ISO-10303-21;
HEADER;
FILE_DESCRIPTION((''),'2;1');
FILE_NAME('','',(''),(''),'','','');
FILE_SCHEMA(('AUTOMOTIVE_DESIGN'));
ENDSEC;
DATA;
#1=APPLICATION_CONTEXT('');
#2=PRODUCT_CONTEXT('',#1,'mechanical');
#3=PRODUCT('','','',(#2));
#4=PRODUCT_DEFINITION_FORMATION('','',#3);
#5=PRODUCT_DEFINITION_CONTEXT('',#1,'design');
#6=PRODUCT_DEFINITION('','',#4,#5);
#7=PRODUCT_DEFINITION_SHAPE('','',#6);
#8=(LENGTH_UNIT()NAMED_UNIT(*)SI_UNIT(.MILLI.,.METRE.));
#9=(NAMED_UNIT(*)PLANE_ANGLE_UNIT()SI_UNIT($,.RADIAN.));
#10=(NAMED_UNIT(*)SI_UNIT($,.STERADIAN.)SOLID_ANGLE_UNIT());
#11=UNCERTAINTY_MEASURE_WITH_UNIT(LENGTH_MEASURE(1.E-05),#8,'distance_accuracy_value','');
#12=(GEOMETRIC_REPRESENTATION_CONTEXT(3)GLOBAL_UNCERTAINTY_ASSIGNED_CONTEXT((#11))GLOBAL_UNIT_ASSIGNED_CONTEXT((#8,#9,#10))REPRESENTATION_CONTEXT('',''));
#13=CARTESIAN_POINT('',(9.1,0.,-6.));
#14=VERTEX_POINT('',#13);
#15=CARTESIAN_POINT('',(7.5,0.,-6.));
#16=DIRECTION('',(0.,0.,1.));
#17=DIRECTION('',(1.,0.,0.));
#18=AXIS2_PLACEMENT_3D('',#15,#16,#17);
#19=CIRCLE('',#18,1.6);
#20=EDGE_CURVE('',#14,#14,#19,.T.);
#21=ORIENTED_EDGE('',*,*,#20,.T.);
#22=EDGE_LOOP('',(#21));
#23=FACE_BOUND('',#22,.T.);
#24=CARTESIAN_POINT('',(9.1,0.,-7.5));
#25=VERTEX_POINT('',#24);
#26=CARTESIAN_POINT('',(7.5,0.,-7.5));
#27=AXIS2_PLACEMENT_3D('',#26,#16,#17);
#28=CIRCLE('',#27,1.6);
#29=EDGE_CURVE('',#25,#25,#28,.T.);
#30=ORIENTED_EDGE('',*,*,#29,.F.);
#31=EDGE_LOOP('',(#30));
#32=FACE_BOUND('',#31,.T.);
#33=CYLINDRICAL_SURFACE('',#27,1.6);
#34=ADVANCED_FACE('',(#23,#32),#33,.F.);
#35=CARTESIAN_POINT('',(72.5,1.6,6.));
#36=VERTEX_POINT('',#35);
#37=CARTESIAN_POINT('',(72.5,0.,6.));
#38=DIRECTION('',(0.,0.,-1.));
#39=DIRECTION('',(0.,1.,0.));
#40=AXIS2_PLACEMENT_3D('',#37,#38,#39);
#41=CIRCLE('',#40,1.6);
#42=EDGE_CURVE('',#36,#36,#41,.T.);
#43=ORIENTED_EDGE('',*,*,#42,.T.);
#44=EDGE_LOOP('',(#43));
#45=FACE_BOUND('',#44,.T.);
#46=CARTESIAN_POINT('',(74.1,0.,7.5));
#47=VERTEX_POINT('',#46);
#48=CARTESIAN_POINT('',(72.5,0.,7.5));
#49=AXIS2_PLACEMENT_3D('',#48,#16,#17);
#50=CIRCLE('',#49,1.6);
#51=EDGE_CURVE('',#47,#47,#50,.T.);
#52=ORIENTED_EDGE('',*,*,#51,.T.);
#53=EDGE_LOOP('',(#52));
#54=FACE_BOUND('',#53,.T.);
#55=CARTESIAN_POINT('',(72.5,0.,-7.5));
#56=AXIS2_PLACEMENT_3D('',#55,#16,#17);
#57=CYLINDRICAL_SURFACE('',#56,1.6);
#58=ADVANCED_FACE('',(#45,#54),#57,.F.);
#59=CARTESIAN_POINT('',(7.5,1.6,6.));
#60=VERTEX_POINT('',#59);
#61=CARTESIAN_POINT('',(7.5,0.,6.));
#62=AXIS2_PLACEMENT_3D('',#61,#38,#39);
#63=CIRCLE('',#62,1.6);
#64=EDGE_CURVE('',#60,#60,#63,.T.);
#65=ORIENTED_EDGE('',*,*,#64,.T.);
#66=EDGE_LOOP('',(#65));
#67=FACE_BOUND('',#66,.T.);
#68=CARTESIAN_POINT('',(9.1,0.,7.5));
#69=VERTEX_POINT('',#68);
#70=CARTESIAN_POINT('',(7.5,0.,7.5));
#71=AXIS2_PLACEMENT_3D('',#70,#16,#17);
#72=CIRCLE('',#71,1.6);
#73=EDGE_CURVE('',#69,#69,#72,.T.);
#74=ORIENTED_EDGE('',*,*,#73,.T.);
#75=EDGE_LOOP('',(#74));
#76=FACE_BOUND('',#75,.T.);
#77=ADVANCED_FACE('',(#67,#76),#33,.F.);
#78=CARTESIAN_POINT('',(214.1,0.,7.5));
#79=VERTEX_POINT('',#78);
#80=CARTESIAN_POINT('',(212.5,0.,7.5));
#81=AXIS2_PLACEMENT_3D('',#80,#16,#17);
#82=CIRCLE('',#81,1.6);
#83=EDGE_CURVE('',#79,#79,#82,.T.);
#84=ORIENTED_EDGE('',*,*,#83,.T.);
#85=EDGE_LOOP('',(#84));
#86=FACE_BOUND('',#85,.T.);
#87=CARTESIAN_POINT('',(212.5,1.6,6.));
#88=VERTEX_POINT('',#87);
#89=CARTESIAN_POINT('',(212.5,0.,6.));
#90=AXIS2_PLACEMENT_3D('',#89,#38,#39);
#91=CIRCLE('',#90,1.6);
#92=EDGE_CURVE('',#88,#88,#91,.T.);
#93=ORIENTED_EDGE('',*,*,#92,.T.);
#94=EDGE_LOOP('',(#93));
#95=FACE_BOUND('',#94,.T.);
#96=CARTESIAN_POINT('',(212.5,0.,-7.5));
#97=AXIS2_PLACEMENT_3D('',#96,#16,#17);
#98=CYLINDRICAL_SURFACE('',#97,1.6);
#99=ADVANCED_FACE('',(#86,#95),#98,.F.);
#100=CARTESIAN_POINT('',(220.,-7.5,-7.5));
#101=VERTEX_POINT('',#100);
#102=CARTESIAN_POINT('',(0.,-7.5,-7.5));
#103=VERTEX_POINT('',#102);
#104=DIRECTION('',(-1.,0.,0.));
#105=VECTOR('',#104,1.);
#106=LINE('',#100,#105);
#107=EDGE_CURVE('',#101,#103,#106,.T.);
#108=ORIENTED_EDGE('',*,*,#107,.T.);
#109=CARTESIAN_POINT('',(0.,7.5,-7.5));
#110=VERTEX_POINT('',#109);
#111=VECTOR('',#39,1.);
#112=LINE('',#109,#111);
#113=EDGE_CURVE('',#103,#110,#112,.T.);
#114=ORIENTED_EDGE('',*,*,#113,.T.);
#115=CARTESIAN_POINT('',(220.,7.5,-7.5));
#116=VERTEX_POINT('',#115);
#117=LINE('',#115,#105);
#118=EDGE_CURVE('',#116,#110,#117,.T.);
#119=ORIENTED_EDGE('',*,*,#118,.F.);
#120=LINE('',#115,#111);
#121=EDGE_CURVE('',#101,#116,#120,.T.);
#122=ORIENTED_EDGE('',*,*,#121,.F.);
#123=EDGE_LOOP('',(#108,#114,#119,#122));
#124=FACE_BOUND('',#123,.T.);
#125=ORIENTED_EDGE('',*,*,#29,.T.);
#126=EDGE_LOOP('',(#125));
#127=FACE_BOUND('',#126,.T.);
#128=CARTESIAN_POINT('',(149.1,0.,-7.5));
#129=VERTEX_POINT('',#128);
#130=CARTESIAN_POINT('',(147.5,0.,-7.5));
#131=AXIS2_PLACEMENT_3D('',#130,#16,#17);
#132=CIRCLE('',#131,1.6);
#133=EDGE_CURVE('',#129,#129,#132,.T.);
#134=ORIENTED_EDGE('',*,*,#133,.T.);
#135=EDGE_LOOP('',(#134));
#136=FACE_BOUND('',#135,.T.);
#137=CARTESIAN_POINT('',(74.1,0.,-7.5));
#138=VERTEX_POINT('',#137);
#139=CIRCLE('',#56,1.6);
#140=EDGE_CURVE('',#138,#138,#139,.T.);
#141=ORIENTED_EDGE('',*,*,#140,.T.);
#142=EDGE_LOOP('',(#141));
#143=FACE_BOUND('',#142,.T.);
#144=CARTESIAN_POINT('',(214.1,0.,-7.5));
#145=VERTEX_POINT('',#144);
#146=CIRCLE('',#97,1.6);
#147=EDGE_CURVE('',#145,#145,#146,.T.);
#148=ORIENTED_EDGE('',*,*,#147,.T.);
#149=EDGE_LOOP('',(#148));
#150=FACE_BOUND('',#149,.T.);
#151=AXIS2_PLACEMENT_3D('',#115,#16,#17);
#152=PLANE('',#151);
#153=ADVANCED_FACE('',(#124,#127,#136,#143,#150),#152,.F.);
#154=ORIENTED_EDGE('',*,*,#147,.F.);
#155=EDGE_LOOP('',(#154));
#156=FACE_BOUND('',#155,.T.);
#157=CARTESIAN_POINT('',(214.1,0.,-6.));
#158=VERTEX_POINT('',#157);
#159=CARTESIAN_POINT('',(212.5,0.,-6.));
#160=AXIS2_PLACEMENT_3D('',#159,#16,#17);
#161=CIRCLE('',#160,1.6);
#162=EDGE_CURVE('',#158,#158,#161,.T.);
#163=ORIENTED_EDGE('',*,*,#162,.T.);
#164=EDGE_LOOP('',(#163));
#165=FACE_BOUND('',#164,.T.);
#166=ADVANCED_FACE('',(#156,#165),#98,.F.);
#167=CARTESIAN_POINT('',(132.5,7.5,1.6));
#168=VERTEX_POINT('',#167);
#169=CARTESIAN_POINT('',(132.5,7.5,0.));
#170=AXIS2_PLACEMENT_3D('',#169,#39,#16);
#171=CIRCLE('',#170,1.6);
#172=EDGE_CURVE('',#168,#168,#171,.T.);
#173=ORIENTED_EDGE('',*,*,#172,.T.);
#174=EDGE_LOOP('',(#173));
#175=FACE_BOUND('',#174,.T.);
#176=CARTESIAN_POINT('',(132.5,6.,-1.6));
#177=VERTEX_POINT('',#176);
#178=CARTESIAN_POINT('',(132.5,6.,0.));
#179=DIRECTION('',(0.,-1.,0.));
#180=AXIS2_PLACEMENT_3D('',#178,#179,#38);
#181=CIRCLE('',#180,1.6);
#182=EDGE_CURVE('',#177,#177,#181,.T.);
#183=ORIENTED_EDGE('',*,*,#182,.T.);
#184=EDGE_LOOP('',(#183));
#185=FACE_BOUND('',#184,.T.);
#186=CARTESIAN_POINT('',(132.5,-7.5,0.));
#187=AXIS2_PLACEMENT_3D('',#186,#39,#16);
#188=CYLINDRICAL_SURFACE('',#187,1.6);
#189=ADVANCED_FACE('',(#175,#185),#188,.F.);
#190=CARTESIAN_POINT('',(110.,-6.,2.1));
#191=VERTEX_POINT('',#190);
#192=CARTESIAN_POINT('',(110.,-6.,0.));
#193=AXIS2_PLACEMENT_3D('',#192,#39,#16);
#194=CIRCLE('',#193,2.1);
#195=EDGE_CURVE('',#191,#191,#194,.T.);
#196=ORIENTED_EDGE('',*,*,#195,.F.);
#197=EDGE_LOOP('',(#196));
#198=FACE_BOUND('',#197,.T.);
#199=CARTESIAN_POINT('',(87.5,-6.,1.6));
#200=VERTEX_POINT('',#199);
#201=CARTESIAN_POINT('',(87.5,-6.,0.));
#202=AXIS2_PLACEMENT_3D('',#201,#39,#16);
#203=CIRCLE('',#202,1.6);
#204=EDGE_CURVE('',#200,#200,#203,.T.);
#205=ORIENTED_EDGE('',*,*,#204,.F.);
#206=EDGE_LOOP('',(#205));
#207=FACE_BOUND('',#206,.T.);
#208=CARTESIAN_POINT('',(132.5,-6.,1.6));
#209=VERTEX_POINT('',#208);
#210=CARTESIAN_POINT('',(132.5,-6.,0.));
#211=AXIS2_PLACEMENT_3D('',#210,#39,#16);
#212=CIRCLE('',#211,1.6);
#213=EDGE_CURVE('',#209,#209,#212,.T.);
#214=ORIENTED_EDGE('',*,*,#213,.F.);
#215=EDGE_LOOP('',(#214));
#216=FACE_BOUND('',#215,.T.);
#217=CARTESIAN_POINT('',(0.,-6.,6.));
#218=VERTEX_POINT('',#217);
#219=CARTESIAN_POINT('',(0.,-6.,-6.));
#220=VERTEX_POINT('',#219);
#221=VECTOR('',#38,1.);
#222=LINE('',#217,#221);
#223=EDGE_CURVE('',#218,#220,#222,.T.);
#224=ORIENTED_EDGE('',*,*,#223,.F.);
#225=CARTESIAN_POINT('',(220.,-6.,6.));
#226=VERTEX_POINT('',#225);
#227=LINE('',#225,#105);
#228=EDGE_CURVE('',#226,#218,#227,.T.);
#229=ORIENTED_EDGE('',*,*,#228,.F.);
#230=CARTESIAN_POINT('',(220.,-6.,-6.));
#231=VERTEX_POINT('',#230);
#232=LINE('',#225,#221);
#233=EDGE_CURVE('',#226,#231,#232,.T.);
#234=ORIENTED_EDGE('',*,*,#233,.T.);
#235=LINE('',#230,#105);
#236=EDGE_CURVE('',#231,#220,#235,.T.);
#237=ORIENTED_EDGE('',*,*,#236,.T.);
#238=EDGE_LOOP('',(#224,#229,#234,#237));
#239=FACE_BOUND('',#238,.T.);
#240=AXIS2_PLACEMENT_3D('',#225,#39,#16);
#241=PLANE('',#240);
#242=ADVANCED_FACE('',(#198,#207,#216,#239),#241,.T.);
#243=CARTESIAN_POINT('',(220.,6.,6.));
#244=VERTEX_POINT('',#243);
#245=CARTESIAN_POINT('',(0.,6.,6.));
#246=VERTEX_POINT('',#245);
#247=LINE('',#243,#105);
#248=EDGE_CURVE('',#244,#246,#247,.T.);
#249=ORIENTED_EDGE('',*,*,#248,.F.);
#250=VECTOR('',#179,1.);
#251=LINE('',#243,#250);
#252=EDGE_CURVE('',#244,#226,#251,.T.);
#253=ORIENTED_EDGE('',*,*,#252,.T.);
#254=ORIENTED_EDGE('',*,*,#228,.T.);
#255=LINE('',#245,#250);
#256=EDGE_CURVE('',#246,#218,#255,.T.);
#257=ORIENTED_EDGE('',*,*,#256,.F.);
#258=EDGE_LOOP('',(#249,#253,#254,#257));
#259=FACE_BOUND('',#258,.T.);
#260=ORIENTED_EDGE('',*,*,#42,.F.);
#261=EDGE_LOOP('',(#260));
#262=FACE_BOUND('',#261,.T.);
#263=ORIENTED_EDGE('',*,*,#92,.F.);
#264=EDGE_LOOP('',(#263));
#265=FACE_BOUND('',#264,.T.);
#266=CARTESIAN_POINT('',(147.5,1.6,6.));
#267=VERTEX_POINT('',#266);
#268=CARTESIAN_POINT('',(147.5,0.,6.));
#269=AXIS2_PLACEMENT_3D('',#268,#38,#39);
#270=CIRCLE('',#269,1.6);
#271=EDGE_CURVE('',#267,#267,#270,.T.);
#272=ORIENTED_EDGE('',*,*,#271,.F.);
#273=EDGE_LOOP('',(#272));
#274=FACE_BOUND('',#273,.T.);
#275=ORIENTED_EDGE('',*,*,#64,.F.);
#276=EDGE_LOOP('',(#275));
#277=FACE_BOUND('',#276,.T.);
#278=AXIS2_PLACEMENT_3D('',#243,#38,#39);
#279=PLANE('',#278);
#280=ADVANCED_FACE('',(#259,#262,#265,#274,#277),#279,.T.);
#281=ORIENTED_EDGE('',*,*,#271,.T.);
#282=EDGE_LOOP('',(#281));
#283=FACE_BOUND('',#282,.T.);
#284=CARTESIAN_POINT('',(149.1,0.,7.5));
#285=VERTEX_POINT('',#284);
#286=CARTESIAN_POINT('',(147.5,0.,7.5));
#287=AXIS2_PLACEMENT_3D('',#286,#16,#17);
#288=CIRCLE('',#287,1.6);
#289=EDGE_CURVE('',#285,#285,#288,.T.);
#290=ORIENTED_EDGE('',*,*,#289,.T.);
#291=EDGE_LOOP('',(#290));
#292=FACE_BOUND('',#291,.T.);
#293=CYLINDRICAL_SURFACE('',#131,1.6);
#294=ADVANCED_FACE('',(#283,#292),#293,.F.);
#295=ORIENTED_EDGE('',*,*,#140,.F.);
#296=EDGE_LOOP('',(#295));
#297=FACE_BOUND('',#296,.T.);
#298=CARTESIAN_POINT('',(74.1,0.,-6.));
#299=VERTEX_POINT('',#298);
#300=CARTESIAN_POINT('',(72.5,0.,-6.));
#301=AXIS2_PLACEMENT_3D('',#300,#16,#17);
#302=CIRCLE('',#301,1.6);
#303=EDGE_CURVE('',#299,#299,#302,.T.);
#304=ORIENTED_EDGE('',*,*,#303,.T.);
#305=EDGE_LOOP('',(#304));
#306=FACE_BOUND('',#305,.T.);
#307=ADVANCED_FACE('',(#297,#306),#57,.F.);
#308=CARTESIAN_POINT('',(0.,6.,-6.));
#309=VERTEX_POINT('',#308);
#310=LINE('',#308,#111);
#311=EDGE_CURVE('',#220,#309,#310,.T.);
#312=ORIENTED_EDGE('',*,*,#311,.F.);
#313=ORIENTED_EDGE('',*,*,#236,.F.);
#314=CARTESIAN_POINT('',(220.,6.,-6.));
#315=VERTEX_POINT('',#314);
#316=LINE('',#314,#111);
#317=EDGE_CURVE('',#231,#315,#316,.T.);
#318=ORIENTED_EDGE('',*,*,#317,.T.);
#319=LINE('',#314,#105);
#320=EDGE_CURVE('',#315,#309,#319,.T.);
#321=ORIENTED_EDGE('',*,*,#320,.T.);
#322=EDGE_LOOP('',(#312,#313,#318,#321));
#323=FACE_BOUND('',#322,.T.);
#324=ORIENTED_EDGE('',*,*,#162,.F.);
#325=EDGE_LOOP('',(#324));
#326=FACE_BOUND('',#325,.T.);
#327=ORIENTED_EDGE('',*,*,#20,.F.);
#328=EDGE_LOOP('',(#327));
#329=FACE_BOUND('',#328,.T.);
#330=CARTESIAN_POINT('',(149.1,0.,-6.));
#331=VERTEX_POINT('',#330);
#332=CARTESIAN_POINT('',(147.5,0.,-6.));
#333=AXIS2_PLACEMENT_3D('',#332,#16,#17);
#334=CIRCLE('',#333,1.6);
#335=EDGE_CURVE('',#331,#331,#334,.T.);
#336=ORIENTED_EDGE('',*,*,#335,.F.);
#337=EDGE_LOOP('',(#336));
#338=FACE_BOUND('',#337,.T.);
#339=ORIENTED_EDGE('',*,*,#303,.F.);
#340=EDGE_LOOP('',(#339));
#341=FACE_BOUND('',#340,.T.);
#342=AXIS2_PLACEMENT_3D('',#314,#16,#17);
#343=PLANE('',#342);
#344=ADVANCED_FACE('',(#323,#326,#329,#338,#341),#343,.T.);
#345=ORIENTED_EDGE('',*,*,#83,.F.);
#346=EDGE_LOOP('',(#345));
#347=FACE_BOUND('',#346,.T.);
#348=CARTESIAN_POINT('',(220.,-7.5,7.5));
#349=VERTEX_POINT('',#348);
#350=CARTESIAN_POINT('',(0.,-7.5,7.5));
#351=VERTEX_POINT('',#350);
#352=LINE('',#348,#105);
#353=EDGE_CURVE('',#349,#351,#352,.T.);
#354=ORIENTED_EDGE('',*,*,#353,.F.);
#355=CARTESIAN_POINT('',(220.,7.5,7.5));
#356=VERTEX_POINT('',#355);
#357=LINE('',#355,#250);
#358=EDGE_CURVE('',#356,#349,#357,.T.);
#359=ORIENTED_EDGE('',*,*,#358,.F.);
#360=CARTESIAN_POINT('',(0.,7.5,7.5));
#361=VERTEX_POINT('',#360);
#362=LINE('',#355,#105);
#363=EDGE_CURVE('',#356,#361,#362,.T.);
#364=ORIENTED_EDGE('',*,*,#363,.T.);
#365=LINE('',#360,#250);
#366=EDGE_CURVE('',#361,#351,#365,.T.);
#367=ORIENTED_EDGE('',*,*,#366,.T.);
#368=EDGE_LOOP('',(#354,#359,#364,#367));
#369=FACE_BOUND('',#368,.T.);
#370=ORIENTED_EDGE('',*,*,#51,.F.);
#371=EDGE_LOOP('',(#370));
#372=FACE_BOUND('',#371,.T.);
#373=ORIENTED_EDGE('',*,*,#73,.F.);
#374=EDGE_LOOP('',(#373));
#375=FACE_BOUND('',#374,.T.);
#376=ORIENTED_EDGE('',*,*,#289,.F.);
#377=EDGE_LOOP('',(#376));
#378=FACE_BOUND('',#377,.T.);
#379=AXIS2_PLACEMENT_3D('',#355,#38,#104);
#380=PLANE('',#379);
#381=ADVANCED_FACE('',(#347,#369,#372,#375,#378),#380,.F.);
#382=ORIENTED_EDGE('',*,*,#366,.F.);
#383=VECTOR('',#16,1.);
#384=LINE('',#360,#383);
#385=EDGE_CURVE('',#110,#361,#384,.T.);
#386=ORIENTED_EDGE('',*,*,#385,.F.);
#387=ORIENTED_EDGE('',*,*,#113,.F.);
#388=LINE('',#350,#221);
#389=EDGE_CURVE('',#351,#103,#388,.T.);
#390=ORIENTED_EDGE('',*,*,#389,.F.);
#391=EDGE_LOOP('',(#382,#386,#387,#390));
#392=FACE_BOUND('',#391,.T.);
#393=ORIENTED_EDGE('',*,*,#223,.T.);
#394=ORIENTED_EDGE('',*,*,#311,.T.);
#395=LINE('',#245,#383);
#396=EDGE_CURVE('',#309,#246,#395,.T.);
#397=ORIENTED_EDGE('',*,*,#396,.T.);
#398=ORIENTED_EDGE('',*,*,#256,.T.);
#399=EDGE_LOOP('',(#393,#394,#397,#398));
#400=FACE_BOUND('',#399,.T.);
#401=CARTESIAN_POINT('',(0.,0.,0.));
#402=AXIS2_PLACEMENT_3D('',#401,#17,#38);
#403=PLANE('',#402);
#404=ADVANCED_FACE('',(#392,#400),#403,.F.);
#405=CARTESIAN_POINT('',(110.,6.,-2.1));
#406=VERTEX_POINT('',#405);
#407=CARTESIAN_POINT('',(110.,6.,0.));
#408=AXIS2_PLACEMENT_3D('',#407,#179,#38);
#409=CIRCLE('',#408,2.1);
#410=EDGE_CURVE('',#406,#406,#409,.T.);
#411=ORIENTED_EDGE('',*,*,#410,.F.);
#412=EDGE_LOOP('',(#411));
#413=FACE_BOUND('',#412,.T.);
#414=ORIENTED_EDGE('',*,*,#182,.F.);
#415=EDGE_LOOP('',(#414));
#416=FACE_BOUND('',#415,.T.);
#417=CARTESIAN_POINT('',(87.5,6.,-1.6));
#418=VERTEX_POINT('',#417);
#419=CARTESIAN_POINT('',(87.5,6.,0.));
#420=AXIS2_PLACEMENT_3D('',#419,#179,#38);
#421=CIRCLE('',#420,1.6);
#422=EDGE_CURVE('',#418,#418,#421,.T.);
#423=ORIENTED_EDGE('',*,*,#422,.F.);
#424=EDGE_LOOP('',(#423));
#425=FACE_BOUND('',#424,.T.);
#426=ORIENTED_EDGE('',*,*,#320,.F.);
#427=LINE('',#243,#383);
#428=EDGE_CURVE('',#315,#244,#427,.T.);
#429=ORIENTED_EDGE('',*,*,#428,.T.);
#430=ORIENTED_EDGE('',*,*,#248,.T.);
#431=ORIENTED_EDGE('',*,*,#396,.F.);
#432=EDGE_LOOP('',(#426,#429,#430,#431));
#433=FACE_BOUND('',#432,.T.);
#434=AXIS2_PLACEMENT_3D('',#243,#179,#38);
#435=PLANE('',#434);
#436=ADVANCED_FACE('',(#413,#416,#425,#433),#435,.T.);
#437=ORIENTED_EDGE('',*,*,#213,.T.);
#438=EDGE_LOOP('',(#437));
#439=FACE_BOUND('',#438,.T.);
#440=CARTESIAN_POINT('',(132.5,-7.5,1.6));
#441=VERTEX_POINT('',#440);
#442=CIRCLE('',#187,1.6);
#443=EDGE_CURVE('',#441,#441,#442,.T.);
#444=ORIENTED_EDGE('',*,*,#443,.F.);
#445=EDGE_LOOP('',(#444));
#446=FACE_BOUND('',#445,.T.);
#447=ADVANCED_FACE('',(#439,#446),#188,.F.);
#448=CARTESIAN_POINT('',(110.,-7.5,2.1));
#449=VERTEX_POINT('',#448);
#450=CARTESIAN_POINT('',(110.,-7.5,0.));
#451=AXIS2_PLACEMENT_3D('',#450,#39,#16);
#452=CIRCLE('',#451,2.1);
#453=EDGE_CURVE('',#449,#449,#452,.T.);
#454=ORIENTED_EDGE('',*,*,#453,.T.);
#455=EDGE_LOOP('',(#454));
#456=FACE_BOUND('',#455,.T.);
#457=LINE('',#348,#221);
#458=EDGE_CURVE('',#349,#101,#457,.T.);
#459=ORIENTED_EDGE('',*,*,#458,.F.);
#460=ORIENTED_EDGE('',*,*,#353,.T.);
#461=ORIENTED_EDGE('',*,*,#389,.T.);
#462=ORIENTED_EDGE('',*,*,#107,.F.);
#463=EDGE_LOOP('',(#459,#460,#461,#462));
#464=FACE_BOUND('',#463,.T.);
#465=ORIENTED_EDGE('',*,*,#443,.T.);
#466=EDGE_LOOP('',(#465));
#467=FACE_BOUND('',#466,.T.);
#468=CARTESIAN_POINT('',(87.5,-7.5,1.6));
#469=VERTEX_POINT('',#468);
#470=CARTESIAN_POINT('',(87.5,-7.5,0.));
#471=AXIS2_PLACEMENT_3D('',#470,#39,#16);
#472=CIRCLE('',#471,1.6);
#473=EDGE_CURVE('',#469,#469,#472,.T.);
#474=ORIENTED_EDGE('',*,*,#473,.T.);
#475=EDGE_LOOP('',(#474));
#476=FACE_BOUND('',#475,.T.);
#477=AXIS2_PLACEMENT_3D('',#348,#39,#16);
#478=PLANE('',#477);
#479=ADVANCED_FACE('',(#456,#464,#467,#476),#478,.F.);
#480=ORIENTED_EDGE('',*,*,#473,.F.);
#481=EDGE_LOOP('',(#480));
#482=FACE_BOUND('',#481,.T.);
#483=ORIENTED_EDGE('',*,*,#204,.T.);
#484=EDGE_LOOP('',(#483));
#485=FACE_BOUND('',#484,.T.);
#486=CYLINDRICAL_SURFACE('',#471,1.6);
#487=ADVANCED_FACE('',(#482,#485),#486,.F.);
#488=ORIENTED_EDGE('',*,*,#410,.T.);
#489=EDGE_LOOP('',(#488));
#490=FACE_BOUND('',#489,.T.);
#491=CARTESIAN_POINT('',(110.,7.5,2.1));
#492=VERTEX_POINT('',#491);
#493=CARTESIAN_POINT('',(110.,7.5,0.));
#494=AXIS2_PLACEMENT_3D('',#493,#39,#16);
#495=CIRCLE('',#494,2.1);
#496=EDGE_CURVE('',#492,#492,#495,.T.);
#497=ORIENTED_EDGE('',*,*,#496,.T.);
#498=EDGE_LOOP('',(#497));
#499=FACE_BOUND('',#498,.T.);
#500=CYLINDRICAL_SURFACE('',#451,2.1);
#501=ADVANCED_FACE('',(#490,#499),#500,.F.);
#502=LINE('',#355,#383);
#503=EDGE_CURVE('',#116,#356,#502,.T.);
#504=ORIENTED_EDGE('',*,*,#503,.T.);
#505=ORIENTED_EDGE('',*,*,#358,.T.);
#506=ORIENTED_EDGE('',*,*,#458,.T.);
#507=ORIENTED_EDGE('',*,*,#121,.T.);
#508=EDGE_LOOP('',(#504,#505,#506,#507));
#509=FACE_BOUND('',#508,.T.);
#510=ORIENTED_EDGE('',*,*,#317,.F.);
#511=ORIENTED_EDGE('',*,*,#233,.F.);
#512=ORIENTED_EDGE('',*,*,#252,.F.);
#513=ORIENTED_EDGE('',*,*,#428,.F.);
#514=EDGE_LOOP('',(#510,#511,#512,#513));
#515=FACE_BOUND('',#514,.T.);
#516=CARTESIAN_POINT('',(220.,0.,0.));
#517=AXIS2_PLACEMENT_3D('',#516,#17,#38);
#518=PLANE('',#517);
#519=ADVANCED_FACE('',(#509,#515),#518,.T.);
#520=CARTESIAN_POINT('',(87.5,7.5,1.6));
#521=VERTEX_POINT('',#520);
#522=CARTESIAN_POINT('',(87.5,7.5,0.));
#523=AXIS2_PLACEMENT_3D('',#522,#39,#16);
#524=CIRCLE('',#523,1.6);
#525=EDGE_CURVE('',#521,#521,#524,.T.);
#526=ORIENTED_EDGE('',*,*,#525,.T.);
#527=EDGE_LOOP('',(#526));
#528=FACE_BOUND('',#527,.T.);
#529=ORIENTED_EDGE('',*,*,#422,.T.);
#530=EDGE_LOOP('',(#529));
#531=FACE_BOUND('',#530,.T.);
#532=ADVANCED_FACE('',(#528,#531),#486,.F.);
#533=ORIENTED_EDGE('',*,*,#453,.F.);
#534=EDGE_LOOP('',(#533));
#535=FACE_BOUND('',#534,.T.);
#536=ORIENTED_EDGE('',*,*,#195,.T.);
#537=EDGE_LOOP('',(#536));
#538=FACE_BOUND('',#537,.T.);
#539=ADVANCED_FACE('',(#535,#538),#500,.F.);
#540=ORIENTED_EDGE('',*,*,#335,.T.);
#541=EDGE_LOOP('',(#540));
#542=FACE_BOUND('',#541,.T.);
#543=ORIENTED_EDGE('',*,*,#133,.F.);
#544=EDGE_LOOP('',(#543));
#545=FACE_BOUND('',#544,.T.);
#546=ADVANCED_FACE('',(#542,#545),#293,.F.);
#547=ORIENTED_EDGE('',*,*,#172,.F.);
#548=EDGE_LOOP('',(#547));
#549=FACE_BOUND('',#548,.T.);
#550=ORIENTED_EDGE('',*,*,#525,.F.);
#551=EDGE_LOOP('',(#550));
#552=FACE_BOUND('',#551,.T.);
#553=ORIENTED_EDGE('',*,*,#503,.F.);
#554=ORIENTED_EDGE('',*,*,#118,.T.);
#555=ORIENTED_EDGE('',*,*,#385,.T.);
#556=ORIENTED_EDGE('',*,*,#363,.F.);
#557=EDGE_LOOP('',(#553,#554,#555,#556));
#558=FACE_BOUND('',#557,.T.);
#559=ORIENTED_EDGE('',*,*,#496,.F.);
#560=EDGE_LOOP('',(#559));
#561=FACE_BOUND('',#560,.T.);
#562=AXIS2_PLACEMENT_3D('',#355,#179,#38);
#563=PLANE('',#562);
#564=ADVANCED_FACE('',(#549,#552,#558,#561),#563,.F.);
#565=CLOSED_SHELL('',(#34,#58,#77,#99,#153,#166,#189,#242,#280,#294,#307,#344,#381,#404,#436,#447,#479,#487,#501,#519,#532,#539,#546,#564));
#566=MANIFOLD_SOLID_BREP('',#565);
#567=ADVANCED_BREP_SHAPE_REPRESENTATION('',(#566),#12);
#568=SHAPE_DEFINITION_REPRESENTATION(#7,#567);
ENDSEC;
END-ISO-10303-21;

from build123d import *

# Parameters (mm, degrees)
SKETCH_1_W          = 15
SKETCH_1_H          = 15
SKETCH_1_W_2        = 12
SKETCH_1_H_2        = 12
EXTRUDE_1_DEPTH     = 220
SKETCH_3_R          = 1.6
CUT_EXTRUDE_2_DEPTH = 221.638278637
SKETCH_4_R          = 2.1
SKETCH_4_R_2        = 1.6
CUT_EXTRUDE_3_DEPTH = 221.638278637


with BuildPart() as part:
    # ｽｹｯﾁ1 → ﾎﾞｽ - 押し出し1 (new body)
    with BuildSketch(Plane(origin=(0, 0, 0), x_dir=(0, 0, -1), z_dir=(1, 0, 0))):
        Rectangle(SKETCH_1_W, SKETCH_1_H)
        Rectangle(SKETCH_1_W_2, SKETCH_1_H_2, mode=Mode.SUBTRACT)
    extrude(amount=EXTRUDE_1_DEPTH)

    # ｽｹｯﾁ3 → ｶｯﾄ - 押し出し2 (cut, through all)
    with BuildSketch(Plane.XY.offset(7.5)):
        with Locations((7.5, 0)):
            Circle(SKETCH_3_R)
        with Locations((212.5, 0)):
            Circle(SKETCH_3_R)
        with Locations((72.5, 0)):
            Circle(SKETCH_3_R)
        with Locations((147.5, 0)):
            Circle(SKETCH_3_R)
    extrude(amount=-CUT_EXTRUDE_2_DEPTH, mode=Mode.SUBTRACT)

    # ｽｹｯﾁ4 → ｶｯﾄ - 押し出し3 (cut, through all)
    with BuildSketch(Plane(origin=(0, 7.5, 0), x_dir=(1, 0, 0), z_dir=(0, 1, 0))):
        with Locations(Location((110, 0, 0), (0, 0, 270))):
            Circle(SKETCH_4_R)
        with Locations(Location((132.5, 0, 0), (0, 0, 270))):
            Circle(SKETCH_4_R_2)
        with Locations(Location((87.5, 0, 0), (0, 0, 270))):
            Circle(SKETCH_4_R_2)
    extrude(amount=-CUT_EXTRUDE_3_DEPTH, mode=Mode.SUBTRACT)


solid = part.part
